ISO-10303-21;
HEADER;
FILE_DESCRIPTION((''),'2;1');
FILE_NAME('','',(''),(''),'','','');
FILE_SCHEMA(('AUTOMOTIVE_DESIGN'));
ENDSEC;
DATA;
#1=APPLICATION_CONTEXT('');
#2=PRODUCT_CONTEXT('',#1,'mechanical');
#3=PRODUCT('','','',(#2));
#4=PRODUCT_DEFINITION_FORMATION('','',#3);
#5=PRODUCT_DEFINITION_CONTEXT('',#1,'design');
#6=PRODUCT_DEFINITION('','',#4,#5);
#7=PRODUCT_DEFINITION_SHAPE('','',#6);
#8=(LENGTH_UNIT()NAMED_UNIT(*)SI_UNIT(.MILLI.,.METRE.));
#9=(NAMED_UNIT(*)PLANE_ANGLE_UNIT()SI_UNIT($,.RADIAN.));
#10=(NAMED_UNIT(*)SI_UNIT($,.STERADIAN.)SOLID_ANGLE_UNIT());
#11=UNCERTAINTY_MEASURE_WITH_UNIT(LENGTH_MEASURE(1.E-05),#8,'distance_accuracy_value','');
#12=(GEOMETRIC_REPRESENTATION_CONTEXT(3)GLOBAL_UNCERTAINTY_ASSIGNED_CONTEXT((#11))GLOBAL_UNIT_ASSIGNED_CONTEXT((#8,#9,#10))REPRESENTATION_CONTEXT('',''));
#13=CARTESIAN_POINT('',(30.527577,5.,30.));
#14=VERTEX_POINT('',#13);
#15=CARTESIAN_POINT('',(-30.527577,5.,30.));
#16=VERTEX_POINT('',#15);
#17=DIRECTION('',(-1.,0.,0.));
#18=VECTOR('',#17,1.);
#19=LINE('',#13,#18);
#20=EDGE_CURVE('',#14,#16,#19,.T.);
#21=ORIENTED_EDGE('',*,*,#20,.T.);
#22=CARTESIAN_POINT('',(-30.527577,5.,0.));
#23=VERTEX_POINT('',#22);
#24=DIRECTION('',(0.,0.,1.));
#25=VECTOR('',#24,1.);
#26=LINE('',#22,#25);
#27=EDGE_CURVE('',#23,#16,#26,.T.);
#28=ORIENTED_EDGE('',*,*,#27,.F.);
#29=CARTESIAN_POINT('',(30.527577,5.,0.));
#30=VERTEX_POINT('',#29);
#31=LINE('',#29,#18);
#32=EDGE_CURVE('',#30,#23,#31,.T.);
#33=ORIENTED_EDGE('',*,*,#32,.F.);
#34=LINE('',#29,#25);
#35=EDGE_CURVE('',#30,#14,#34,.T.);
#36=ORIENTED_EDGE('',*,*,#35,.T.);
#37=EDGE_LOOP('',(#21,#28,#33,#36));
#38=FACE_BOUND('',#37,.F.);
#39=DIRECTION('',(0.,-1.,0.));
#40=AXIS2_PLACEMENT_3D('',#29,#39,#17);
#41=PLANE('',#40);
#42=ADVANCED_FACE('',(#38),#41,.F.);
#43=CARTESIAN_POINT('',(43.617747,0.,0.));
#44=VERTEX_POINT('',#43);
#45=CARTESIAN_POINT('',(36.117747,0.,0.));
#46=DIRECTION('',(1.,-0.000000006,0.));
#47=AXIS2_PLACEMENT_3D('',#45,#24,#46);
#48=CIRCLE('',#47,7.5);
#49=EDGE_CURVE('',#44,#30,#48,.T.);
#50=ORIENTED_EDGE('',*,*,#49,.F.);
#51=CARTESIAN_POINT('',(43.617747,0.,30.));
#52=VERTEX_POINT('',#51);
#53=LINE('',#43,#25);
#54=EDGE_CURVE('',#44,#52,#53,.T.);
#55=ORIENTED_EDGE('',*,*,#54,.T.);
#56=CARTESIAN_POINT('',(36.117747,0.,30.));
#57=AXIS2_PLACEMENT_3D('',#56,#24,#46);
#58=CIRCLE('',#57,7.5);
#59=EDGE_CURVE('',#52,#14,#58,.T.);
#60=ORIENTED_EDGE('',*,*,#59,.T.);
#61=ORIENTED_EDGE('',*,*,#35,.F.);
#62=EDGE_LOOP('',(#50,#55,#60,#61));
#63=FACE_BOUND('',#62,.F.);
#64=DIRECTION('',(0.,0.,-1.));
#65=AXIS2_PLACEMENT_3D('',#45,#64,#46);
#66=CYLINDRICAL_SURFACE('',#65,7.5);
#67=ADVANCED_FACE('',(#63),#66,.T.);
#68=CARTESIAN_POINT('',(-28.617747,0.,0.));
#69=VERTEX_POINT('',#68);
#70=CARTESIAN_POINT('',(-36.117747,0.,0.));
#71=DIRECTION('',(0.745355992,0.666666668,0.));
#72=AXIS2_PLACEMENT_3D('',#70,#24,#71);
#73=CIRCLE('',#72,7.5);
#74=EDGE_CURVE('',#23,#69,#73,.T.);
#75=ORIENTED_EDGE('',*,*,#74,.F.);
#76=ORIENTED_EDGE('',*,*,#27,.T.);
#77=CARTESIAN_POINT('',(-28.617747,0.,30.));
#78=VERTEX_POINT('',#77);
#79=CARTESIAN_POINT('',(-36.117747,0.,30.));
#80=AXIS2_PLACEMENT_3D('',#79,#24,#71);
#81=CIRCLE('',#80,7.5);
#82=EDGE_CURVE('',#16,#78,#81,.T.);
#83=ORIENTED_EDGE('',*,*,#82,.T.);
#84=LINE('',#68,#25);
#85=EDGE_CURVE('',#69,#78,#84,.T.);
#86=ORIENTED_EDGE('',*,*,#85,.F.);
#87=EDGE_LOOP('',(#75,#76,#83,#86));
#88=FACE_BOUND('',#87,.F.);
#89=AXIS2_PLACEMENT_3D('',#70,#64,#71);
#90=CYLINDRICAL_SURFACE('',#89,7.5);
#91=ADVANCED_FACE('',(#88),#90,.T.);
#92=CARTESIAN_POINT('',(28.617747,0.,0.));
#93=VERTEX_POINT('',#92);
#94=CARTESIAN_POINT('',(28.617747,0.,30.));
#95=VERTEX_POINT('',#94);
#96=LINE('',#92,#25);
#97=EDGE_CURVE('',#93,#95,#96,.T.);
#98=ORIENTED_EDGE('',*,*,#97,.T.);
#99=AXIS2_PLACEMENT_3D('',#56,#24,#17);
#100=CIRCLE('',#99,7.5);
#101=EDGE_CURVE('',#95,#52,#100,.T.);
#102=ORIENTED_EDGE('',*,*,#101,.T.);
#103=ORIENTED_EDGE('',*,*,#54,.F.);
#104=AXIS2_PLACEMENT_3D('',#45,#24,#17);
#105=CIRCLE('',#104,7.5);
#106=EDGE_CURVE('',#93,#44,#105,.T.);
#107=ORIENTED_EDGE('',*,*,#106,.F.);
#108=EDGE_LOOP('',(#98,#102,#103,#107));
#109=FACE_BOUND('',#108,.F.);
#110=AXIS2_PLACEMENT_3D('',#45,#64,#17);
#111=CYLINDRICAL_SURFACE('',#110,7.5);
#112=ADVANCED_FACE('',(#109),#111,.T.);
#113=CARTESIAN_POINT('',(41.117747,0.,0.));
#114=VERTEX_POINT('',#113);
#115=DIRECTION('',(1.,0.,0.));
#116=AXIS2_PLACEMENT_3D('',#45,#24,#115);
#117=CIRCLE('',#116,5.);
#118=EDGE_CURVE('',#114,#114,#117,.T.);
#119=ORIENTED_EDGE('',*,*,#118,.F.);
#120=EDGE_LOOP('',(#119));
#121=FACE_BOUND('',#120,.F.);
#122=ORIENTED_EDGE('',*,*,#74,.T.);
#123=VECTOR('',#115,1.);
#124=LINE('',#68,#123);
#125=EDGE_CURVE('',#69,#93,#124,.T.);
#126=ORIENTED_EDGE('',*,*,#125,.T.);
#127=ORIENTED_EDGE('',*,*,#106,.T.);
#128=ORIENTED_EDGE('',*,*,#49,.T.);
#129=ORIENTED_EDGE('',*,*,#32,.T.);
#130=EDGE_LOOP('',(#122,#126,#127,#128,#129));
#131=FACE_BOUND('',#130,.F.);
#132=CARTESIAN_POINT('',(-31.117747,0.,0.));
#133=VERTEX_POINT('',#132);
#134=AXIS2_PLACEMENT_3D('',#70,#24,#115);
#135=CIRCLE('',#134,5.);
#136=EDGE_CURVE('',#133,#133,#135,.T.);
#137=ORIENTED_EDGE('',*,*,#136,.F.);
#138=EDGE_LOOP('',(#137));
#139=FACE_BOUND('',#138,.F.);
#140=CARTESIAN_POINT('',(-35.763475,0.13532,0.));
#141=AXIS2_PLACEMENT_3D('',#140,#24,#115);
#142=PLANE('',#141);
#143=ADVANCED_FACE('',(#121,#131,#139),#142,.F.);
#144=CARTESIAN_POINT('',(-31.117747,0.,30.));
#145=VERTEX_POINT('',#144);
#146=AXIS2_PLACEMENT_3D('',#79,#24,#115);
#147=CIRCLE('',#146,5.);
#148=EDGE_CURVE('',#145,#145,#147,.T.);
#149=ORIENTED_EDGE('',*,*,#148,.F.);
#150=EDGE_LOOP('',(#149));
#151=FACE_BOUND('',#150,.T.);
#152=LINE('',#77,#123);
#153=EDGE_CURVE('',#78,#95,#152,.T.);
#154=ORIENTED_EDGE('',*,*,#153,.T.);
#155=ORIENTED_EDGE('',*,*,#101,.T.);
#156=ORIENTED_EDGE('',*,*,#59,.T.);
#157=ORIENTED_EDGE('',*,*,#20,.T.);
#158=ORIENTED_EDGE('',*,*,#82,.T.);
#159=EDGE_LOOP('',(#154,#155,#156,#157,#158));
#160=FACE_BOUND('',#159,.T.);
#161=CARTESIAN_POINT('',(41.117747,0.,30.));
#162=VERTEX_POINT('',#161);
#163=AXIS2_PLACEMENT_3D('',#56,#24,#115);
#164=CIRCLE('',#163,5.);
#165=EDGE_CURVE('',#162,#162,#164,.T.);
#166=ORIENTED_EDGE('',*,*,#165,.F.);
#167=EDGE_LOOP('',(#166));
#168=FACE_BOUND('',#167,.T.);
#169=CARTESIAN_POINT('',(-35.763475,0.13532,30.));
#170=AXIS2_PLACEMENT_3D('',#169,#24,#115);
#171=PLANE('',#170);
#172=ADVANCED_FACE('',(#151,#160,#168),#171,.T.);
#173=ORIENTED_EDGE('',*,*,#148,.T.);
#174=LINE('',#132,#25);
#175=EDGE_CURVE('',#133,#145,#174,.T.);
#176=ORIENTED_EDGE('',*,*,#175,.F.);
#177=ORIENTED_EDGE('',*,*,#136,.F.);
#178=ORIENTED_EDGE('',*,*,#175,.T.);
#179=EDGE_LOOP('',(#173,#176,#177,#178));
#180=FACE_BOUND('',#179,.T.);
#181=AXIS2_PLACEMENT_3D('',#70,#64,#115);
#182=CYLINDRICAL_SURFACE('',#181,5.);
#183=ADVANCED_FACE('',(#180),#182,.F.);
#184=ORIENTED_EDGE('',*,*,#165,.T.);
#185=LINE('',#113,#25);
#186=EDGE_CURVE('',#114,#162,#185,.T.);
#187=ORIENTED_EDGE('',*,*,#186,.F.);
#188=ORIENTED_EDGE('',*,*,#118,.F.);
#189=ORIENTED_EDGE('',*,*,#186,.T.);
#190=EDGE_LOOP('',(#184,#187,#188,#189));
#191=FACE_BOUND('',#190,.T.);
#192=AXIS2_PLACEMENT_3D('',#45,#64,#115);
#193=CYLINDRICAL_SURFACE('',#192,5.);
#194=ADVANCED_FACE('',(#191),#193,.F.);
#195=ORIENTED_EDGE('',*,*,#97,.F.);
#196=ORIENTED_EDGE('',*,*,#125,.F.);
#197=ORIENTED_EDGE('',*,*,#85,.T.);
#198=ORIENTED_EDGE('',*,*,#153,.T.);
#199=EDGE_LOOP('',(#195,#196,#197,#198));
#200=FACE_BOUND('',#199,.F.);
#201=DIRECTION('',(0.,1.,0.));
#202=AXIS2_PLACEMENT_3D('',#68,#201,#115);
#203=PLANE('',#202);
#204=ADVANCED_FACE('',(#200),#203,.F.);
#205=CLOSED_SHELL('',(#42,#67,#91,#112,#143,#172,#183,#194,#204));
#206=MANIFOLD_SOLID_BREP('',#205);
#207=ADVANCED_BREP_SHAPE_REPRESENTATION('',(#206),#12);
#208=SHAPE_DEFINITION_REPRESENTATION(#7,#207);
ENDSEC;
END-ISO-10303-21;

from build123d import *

# Parameters (mm, degrees)
F0_R     = 5
F1_DEPTH = 30


with BuildPart() as f1:
    # F0 (on Top) → F1 (new body)
    with BuildSketch(Plane.XY):
        with BuildLine():
            ThreePointArc((-30.527577, 5), (-43.124039, -2.676166), (-28.617747, 0))
            ThreePointArc((-28.617747, 0), (-29.111454, 2.676166), (-30.527577, 5))
        make_face()
        with Locations((-36.117747, 0)):
            Circle(F0_R, mode=Mode.SUBTRACT)
        with BuildLine():
            ThreePointArc((-30.527577, 5), (-29.111454, 2.676166), (-28.617747, 0))
            Line((-28.617747, 0), (28.617747, 0))
            ThreePointArc((28.617747, 0), (29.111454, 2.676166), (30.527577, 5))
            Line((30.527577, 5), (-30.527577, 5))
        make_face()
        with BuildLine():
            ThreePointArc((30.527577, 5), (29.111454, 2.676166), (28.617747, 0))
            ThreePointArc((28.617747, 0), (36.117747, -7.5), (43.617747, 0))
            ThreePointArc((43.617747, 0), (38.793912, 7.006293), (30.527577, 5))
        make_face()
        with Locations((36.117747, 0)):
            Circle(F0_R, mode=Mode.SUBTRACT)
    extrude(amount=F1_DEPTH)


solid = f1.part
